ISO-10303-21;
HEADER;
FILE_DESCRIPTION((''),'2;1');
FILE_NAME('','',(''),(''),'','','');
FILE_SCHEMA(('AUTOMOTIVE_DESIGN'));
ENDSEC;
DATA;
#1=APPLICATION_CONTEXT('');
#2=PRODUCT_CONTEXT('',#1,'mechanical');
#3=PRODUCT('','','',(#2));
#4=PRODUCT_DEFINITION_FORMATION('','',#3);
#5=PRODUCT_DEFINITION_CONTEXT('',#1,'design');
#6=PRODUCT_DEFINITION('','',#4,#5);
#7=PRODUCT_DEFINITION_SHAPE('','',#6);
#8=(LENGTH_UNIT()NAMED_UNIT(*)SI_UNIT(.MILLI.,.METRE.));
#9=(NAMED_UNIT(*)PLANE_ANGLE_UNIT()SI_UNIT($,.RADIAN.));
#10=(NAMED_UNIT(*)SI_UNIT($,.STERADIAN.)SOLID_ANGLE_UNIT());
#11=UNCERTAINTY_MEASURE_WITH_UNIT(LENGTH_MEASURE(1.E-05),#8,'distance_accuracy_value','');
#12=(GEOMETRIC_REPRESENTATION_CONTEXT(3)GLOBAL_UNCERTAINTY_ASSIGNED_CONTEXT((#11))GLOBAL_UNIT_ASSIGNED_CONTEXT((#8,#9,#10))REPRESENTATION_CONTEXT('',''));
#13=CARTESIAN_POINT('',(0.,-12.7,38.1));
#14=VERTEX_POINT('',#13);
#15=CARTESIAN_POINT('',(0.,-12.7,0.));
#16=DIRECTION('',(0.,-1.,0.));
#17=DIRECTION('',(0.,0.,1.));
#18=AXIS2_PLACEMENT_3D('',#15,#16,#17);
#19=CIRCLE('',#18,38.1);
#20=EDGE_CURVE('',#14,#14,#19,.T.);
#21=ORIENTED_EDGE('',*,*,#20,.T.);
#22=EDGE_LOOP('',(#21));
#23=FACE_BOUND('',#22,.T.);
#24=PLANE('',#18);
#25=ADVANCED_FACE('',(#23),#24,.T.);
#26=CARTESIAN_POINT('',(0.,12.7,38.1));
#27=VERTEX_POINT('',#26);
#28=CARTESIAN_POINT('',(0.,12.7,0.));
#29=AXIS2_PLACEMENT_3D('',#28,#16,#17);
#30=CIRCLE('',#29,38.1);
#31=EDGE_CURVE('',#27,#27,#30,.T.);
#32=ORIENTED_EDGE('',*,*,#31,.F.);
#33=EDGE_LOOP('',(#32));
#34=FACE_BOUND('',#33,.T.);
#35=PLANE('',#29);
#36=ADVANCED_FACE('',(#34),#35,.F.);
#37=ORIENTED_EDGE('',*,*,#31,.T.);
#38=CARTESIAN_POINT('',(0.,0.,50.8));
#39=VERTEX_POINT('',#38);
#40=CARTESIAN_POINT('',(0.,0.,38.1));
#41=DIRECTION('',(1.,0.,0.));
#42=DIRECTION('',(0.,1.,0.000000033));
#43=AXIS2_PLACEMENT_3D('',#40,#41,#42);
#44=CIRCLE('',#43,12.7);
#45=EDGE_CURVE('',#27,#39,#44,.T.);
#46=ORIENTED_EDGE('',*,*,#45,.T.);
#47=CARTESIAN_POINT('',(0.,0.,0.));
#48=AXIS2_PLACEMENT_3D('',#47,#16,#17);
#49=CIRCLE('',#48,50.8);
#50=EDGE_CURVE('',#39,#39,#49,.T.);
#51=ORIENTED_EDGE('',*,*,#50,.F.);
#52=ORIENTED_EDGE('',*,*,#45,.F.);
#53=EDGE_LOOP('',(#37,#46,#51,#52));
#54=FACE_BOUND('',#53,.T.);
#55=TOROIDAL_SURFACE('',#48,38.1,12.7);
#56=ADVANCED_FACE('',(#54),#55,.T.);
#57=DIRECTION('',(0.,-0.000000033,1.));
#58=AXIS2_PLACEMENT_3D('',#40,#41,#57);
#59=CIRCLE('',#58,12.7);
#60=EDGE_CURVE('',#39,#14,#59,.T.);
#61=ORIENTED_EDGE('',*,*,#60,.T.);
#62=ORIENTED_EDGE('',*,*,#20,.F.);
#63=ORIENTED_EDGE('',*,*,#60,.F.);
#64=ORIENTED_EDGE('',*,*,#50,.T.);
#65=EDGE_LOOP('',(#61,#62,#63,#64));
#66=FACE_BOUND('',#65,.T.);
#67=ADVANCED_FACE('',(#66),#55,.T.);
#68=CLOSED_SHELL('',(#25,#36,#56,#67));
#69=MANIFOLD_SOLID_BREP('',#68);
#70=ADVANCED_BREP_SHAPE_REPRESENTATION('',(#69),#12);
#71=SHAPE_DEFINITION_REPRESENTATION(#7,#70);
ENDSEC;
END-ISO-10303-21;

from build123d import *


with BuildPart() as f1:
    # F0 (on Right) → F1 (revolve)
    with BuildSketch(Plane.YZ):
        with BuildLine():
            Line((-12.7, 0), (0, 0))
            Line((0, 0), (0, 50.8))
            ThreePointArc((0, 50.8), (-8.980256, 47.080256), (-12.7, 38.1))
            Line((-12.7, 38.1), (-12.7, 0))
        make_face()
        with BuildLine():
            Line((0, 50.8), (0, 0))
            Line((0, 0), (12.7, 0))
            Line((12.7, 0), (12.7, 38.1))
            ThreePointArc((12.7, 38.1), (8.980256, 47.080256), (0, 50.8))
        make_face()
    revolve(axis=Axis((0, -14.760766, 0), (0, -1, 0)))


solid = f1.part
